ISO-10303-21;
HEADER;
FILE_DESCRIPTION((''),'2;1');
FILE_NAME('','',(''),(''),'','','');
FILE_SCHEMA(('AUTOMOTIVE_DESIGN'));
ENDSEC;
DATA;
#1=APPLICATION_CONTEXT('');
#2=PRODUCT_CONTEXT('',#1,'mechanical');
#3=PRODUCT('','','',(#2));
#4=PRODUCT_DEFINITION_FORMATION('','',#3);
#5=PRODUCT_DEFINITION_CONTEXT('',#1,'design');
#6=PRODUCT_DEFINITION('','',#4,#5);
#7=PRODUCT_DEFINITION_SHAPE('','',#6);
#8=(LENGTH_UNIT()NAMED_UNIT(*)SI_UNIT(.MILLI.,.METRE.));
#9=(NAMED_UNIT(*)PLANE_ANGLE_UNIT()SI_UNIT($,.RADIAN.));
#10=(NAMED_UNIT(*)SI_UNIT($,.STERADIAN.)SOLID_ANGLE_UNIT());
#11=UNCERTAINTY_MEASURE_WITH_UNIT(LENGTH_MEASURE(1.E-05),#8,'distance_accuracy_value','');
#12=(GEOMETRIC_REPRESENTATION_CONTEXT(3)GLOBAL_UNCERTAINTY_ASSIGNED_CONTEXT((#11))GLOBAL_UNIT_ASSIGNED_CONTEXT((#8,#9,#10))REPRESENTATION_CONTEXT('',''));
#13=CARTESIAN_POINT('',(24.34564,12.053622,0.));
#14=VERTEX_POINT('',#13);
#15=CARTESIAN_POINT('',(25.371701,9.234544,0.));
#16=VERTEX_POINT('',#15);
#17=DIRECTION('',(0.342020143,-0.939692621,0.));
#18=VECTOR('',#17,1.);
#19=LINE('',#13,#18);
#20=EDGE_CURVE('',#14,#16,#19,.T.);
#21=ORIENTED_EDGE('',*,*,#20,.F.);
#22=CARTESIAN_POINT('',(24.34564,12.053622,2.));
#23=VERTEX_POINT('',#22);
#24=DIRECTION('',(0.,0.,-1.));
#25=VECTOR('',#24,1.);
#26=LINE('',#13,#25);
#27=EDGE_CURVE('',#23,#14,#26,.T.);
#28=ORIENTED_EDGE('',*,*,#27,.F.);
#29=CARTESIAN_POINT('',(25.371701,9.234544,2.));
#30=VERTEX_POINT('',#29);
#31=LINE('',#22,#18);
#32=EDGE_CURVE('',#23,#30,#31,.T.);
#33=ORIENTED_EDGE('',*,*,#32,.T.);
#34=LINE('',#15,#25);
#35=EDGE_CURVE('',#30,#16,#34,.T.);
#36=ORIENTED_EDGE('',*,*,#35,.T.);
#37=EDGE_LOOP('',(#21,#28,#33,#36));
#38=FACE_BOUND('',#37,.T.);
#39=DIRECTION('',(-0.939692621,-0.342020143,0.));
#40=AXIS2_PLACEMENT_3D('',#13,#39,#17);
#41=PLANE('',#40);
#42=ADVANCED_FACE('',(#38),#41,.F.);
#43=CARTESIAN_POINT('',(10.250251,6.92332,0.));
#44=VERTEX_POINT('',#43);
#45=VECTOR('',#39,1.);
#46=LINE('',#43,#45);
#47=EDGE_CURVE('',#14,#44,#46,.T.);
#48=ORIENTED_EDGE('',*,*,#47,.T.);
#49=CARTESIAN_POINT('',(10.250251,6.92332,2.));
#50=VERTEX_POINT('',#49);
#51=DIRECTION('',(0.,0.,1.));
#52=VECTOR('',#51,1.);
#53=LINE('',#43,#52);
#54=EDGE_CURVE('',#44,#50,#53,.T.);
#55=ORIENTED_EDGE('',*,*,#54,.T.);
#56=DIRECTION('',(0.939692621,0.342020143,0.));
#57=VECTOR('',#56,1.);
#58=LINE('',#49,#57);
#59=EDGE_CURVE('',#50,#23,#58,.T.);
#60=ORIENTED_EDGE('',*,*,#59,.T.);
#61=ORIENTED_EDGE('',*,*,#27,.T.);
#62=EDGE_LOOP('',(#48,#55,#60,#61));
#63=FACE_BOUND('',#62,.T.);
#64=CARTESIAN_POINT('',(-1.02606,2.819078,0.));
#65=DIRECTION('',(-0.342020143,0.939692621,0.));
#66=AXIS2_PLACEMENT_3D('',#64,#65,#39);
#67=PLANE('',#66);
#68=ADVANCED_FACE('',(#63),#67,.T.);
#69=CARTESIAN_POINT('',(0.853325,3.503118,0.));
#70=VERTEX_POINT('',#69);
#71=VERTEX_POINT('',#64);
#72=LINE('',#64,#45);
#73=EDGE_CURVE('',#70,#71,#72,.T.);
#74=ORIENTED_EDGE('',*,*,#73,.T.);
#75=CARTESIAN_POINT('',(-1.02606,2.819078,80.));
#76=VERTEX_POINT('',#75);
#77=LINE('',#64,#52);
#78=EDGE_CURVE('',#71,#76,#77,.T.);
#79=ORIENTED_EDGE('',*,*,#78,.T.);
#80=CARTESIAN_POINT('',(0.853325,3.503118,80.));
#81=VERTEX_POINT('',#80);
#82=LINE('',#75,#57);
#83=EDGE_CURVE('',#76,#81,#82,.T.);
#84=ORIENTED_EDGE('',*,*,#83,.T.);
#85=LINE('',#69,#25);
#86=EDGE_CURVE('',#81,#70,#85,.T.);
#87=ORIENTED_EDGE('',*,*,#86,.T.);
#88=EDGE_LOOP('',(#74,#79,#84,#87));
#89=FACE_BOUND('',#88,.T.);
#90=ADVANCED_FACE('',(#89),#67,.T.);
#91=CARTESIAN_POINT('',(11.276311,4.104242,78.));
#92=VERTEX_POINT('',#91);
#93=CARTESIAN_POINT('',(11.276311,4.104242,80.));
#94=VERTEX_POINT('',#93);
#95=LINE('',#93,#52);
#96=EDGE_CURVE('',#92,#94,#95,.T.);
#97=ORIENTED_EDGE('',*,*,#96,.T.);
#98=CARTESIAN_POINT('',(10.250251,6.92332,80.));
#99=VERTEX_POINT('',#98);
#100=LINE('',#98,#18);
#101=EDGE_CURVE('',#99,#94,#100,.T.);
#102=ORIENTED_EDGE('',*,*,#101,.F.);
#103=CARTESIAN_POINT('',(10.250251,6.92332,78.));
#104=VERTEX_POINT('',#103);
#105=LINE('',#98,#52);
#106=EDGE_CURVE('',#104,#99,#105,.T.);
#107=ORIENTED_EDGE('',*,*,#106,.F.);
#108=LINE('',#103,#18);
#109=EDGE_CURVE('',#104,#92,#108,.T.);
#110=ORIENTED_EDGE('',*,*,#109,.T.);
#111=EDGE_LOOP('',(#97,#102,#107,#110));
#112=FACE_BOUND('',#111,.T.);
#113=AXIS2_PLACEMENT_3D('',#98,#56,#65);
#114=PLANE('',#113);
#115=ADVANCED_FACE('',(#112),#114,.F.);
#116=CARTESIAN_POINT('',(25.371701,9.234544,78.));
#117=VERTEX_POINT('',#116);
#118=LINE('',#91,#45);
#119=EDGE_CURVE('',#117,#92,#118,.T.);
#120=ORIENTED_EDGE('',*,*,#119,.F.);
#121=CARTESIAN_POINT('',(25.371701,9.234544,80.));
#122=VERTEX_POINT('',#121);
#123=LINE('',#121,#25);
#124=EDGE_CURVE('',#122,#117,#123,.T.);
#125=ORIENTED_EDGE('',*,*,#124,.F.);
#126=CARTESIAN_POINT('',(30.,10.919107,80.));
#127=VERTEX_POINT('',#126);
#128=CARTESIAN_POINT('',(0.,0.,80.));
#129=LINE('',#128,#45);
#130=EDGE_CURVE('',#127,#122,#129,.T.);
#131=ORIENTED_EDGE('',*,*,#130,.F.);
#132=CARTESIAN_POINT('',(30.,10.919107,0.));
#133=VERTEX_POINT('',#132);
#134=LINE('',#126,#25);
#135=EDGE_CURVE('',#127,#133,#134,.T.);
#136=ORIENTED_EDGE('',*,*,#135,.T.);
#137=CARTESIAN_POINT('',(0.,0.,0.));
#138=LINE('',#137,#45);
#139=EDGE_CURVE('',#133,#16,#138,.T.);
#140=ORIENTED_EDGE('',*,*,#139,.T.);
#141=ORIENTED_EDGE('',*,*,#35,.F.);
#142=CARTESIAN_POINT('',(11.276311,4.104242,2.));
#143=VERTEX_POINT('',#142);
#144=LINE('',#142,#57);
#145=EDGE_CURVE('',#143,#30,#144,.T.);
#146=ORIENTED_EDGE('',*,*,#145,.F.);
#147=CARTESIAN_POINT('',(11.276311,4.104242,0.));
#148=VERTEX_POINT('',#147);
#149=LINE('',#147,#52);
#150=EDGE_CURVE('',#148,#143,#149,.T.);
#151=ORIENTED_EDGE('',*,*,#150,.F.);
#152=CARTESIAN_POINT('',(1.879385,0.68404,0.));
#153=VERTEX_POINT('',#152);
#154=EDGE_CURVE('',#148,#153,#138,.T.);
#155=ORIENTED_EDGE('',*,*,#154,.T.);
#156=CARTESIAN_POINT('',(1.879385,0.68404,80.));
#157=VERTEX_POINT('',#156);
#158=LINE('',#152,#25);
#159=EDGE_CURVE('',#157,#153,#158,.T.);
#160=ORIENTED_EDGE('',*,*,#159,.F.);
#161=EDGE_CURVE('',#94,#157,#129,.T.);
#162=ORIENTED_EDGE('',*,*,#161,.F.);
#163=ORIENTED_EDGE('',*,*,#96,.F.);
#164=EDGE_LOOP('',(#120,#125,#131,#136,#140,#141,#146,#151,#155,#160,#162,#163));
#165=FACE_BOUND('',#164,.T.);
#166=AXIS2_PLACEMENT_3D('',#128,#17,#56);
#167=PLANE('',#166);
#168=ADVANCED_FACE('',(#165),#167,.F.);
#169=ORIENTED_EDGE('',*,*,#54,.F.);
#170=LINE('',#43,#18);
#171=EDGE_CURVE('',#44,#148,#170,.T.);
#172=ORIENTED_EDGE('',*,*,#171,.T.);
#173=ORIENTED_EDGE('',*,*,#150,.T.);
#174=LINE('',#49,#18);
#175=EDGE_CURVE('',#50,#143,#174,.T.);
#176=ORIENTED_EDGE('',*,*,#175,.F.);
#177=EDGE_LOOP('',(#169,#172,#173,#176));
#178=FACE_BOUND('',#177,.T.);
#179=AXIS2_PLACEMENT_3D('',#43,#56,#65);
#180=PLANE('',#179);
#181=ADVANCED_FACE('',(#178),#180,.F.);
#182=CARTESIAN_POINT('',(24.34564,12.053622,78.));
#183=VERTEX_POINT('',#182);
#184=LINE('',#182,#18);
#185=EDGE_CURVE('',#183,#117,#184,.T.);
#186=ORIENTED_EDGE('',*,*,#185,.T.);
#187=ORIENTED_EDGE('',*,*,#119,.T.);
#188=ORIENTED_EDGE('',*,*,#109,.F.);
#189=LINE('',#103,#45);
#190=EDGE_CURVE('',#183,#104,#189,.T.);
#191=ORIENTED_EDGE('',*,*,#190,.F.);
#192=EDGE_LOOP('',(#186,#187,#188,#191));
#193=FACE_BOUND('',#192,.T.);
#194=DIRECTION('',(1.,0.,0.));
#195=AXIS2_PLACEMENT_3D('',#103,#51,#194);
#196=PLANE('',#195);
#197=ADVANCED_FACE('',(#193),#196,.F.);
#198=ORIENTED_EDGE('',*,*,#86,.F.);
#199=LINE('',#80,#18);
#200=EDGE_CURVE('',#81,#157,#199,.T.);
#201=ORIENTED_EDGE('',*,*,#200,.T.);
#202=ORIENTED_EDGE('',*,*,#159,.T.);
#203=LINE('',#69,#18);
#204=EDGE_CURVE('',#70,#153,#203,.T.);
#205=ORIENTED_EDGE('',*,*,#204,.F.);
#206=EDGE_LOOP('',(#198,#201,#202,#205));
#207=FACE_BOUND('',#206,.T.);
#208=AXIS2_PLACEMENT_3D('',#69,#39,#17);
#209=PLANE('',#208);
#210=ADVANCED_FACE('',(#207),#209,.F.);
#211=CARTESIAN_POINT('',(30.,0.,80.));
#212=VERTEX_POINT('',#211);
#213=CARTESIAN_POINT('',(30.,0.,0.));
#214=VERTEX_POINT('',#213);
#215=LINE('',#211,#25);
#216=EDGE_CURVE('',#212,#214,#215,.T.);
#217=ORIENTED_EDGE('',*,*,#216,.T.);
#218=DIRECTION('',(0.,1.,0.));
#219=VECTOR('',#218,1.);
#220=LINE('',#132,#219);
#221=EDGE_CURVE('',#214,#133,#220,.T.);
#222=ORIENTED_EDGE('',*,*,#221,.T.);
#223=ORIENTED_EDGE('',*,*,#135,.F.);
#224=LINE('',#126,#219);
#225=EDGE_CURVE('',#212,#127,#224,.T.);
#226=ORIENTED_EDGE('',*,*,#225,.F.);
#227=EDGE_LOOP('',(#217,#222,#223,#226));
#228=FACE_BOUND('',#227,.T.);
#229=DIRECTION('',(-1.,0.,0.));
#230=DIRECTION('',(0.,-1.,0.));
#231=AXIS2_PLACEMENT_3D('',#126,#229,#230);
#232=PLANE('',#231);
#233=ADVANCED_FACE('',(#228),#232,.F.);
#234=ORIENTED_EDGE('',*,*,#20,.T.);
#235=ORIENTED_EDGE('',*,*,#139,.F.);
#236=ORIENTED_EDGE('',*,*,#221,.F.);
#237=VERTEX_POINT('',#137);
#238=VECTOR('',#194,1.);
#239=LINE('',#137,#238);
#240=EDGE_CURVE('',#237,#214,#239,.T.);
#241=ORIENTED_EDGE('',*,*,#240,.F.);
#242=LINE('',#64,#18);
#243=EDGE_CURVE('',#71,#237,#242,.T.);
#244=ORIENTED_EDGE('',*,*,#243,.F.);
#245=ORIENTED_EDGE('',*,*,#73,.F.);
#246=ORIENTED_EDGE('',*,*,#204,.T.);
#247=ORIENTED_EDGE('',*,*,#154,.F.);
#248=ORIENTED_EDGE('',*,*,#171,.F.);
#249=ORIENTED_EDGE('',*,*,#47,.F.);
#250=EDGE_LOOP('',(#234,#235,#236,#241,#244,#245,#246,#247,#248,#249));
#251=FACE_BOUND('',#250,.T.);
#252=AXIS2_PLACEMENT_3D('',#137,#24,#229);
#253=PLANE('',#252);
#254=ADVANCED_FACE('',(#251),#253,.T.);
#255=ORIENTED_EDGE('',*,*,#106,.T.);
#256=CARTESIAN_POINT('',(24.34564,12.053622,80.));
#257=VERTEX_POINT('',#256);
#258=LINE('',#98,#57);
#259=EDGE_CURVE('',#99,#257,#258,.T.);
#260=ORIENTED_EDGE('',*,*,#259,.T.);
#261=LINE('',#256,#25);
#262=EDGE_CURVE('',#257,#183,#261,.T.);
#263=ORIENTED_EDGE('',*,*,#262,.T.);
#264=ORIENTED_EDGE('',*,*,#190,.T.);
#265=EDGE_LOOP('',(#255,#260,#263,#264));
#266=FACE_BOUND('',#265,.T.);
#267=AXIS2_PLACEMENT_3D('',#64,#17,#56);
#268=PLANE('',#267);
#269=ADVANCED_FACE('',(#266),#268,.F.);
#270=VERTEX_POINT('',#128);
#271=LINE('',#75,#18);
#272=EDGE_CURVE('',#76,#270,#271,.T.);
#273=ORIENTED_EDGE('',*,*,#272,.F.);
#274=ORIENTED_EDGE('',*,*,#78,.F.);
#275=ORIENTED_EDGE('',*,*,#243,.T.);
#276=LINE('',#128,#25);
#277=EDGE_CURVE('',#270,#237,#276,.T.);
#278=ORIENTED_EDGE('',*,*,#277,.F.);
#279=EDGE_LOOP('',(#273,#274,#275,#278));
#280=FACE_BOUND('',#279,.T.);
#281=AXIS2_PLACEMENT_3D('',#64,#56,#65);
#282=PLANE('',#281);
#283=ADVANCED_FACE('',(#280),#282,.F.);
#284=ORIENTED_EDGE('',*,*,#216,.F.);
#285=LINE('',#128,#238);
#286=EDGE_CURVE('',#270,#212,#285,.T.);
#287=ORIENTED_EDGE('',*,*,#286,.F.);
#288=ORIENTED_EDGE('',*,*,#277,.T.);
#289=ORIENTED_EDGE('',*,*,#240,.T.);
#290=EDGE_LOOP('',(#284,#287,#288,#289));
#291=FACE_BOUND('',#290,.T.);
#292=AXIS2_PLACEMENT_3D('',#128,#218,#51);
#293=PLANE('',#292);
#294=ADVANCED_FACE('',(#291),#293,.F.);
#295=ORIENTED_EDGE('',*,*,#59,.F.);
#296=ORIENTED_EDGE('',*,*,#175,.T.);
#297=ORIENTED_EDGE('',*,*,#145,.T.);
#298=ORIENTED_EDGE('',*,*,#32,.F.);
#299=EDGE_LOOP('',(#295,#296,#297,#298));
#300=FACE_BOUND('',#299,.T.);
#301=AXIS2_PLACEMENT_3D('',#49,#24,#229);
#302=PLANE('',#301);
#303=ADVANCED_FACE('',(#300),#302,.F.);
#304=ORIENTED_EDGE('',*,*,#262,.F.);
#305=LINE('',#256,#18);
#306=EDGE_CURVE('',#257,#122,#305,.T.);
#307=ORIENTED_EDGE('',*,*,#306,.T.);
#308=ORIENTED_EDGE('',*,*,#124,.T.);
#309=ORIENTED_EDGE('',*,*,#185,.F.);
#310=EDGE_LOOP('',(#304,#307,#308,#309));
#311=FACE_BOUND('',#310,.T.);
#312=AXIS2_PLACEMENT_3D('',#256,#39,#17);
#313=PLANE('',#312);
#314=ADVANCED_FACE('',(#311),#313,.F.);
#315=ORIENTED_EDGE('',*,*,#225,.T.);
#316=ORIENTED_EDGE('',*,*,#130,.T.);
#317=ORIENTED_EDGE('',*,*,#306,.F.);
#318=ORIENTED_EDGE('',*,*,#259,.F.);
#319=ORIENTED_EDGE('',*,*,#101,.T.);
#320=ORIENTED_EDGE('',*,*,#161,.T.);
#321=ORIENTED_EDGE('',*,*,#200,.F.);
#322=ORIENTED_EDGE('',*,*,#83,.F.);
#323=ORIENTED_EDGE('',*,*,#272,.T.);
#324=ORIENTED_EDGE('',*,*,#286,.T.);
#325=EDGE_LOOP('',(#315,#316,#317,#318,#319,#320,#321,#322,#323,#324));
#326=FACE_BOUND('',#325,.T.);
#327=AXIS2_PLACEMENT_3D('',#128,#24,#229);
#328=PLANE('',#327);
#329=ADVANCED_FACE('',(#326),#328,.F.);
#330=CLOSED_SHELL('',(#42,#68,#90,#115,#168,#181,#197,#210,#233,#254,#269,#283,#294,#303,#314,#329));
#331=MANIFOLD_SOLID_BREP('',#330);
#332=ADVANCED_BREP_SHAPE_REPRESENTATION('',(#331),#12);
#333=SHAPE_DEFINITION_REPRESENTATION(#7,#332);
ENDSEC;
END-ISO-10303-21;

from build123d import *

# Parameters (mm, degrees)
BOSS_EXTRUDE1_DEPTH = 80
SKETCH2_W           = 2
SKETCH2_H           = 80
SKETCH2_W_2         = 15
SKETCH2_H_2         = 2
BOSS_EXTRUDE2_DEPTH = 3


with BuildPart() as part:
    # Sketch1 → Boss-Extrude1 (new body)
    with BuildSketch(Plane.XY):
        Polygon((0, 0), (30, 0), (30, 10.919107028), align=None)
    extrude(amount=BOSS_EXTRUDE1_DEPTH)

    # Sketch2 → Boss-Extrude2 (add)
    with BuildSketch(Plane(origin=(0, 0, 0), x_dir=(0.9396926207859082, 0.34202014332566943, 0), z_dir=(-0.34202014332566943, 0.9396926207859082, 0))):
        with Locations((1, -40)):
            Rectangle(SKETCH2_W, SKETCH2_H)
        with Locations((19.5, -1)):
            Rectangle(SKETCH2_W_2, SKETCH2_H_2)
        with Locations((19.5, -79)):
            Rectangle(SKETCH2_W_2, SKETCH2_H_2)
    extrude(amount=BOSS_EXTRUDE2_DEPTH)


solid = part.part
